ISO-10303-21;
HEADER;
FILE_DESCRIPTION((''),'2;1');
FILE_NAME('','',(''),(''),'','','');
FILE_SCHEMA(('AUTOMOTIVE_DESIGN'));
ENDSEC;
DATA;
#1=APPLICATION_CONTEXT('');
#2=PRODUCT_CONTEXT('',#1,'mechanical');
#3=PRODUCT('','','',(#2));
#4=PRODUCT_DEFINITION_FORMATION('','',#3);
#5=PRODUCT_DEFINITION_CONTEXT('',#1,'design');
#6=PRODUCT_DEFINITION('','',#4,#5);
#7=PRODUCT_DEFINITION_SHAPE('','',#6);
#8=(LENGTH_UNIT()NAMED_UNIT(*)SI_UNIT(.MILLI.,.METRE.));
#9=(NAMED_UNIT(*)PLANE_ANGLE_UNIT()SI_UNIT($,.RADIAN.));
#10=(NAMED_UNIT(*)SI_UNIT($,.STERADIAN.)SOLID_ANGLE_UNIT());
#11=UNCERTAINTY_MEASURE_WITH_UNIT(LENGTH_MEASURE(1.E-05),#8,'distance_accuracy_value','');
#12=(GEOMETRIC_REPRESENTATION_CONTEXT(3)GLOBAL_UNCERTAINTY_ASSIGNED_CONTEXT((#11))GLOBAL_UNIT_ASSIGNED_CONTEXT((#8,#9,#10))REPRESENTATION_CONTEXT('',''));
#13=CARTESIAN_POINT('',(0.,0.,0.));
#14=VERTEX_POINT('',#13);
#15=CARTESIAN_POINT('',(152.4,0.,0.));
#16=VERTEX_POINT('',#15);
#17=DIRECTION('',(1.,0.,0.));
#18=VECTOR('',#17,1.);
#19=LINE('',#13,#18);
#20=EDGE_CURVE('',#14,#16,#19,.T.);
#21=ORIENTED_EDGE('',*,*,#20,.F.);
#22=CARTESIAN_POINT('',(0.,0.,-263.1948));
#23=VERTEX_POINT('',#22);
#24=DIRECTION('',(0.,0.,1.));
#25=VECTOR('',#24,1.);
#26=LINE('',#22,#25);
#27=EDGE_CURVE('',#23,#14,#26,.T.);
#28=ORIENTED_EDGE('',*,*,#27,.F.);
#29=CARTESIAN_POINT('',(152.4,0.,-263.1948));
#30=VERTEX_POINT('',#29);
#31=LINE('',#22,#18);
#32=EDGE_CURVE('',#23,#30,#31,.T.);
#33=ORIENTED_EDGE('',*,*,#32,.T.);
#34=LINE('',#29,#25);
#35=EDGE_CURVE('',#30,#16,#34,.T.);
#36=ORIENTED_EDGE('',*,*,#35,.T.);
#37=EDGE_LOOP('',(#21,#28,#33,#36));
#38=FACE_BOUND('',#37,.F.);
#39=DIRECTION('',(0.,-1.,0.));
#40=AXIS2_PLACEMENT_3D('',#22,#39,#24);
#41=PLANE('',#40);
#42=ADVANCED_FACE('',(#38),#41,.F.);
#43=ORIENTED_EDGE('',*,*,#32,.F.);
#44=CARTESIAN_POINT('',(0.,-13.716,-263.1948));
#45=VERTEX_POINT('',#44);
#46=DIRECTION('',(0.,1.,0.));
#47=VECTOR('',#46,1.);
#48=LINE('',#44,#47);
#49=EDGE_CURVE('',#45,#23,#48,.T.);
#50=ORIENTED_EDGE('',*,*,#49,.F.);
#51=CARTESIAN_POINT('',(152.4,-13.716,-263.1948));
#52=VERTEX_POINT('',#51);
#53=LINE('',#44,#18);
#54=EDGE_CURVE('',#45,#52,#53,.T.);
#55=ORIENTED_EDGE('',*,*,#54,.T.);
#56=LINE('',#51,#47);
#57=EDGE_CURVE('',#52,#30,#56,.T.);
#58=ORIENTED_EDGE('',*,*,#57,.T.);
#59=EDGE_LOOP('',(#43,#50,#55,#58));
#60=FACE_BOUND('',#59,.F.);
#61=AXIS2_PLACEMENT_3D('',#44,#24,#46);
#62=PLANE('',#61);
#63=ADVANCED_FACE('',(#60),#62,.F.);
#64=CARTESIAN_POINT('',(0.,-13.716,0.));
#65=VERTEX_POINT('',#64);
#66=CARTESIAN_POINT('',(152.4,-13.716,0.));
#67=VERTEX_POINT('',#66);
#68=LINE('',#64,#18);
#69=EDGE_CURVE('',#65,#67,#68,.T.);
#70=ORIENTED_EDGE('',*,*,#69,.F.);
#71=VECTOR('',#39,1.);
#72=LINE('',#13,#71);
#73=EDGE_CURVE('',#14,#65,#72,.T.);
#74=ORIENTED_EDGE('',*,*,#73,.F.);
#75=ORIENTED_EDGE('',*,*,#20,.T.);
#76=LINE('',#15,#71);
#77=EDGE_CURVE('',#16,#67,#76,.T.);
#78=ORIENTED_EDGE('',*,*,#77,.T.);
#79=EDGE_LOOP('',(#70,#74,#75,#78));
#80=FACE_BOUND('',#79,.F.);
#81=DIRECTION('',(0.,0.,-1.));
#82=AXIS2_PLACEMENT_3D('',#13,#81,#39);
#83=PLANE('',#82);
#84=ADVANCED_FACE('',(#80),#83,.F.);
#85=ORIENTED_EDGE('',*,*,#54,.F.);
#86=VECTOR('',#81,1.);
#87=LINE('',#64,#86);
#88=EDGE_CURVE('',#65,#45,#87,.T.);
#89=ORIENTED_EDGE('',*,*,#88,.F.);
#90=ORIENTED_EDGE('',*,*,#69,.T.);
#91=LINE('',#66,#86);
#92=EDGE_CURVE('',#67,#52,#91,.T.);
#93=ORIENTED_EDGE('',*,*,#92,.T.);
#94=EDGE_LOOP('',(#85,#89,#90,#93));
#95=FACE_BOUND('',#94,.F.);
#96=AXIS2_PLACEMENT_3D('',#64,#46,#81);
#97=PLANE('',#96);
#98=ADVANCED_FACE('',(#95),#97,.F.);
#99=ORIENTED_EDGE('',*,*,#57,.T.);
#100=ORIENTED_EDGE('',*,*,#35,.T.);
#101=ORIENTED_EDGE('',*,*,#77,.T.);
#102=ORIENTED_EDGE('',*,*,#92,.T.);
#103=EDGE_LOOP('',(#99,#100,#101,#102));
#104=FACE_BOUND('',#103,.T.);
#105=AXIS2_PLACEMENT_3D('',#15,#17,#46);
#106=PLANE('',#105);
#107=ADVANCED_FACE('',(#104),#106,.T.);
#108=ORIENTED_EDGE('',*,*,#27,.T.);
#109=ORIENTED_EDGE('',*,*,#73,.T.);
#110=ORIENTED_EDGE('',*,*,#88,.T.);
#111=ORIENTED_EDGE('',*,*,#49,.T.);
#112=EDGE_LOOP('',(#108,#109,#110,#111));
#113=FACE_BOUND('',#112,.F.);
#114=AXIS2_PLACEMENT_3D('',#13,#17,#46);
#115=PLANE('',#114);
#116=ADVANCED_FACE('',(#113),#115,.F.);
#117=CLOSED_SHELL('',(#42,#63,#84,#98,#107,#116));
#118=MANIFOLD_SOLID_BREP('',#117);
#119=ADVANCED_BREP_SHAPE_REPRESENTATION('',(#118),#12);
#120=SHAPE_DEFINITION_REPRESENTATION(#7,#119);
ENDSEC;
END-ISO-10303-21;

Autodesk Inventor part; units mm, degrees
ref_plane "YZ Plane" through (0, 0, 0) normal (1, 0, 0) x (0, 1, 0)
ref_plane "XZ Plane" through (0, 0, 0) normal (0, 1, 0) x (-1, 0, 0)
ref_plane "XY Plane" through (0, 0, 0) normal (0, 0, 1) x (1, 0, 0)
sketch "Sketch1" plane through (0, 0, 0) normal (1, 0, 0) x (0, 1, 0)
  line L0 (0, 0) -> (-13.716, 0)
  line L1 (-13.716, 0) -> (-13.716, -263.1948)
  line L2 (-13.716, -263.1948) -> (0, -263.1948)
  line L3 (0, -263.1948) -> (0, 0)
  dimension "d0" = 13.716
  dimension "d1" = 263.1948
extrude "Extrusion1" add sketch "Sketch1" along normal blind 152.4
properties part number "BELT WOOD SUPPORT" material "Aluminum 6061"
